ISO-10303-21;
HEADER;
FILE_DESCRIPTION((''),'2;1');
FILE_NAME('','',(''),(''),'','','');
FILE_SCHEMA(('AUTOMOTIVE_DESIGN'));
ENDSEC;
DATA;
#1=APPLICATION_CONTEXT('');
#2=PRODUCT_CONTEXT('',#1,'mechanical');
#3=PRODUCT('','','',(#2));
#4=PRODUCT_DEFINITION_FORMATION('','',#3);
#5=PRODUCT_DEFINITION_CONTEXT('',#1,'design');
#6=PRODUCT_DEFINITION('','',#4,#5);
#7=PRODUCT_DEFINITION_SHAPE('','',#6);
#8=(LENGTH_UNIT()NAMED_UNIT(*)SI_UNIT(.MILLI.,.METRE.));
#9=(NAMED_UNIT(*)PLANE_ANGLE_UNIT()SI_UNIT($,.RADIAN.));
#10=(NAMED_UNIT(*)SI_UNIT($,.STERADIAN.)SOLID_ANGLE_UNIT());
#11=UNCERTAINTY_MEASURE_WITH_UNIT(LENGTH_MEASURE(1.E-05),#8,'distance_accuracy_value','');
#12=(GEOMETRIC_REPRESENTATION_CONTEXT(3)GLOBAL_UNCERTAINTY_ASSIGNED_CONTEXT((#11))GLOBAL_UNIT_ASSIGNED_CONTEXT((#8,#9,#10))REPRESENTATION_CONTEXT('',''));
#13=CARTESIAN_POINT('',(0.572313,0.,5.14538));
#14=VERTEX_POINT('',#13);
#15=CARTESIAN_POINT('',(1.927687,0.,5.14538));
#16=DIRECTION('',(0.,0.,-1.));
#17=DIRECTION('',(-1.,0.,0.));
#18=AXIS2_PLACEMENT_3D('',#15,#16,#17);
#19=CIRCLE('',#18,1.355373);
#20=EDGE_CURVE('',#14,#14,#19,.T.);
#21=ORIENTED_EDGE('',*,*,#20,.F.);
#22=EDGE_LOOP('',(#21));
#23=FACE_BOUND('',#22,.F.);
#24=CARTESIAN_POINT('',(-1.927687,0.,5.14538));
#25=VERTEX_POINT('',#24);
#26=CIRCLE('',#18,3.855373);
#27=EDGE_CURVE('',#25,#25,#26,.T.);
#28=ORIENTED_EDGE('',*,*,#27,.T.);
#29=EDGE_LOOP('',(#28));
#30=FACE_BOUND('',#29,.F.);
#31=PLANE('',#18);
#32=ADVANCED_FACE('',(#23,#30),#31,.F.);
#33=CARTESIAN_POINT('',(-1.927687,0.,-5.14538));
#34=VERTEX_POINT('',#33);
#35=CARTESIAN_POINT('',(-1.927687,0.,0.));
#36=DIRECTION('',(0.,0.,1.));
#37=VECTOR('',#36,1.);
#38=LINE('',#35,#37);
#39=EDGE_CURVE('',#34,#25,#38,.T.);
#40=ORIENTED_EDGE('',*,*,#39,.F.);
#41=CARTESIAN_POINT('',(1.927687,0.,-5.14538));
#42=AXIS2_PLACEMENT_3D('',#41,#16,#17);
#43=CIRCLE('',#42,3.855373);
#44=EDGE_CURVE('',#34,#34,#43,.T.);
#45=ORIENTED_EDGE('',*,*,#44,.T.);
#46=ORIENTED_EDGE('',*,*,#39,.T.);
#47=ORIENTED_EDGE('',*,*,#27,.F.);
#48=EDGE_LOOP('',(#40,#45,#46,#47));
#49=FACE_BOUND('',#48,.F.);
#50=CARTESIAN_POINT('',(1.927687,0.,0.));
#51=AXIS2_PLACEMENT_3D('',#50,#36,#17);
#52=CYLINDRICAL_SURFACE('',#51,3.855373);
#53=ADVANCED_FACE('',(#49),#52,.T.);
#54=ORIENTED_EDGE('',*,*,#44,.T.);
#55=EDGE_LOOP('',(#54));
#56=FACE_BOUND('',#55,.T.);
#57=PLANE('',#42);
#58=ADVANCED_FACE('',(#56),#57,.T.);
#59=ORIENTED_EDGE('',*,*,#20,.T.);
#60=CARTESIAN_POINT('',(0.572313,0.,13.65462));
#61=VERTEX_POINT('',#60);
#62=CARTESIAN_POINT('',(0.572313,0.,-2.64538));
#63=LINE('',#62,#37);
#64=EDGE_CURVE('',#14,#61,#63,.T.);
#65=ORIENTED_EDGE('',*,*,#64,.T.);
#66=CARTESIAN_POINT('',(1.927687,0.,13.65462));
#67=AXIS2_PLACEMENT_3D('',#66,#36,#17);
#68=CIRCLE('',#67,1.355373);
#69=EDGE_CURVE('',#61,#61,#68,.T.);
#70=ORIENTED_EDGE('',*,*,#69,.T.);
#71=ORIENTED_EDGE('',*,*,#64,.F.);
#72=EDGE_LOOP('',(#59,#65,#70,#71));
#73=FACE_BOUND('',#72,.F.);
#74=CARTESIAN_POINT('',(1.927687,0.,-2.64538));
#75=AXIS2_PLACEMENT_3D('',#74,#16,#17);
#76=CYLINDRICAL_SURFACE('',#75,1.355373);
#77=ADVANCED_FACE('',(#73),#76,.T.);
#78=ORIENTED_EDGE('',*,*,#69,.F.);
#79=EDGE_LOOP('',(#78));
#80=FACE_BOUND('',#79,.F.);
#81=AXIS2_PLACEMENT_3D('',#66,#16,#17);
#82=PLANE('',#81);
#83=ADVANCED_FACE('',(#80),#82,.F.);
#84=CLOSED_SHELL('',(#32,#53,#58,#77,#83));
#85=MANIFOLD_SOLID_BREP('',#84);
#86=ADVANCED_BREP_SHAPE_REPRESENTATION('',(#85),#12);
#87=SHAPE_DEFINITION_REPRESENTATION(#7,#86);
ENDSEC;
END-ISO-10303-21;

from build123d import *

# Parameters (mm, degrees)
F0_W     = 3.8553732447
F0_H     = 10.2907596156
F2_T     = -2.5
F3_DEPTH = 16.3


with BuildPart() as f1:
    # F0 (on Front) → F1 (revolve)
    with BuildSketch(Plane.XZ):
        Rectangle(F0_W, F0_H)
    revolve(axis=Axis((1.9276866224, 0, 0), (0, 0, -1)))

    # F2
    f2_openings = [f1.faces().sort_by_distance(p)[0] for p in [
        (1.927687, 0, 5.14538),
    ]]
    offset(amount=F2_T, openings=f2_openings)

    # F3 (add): a face of the model
    f3_faces = [f1.faces().sort_by_distance(p)[0] for p in [
        (1.9276866224, 0, -2.6453798078),
    ]]
    extrude(f3_faces, amount=F3_DEPTH)


solid = f1.part
